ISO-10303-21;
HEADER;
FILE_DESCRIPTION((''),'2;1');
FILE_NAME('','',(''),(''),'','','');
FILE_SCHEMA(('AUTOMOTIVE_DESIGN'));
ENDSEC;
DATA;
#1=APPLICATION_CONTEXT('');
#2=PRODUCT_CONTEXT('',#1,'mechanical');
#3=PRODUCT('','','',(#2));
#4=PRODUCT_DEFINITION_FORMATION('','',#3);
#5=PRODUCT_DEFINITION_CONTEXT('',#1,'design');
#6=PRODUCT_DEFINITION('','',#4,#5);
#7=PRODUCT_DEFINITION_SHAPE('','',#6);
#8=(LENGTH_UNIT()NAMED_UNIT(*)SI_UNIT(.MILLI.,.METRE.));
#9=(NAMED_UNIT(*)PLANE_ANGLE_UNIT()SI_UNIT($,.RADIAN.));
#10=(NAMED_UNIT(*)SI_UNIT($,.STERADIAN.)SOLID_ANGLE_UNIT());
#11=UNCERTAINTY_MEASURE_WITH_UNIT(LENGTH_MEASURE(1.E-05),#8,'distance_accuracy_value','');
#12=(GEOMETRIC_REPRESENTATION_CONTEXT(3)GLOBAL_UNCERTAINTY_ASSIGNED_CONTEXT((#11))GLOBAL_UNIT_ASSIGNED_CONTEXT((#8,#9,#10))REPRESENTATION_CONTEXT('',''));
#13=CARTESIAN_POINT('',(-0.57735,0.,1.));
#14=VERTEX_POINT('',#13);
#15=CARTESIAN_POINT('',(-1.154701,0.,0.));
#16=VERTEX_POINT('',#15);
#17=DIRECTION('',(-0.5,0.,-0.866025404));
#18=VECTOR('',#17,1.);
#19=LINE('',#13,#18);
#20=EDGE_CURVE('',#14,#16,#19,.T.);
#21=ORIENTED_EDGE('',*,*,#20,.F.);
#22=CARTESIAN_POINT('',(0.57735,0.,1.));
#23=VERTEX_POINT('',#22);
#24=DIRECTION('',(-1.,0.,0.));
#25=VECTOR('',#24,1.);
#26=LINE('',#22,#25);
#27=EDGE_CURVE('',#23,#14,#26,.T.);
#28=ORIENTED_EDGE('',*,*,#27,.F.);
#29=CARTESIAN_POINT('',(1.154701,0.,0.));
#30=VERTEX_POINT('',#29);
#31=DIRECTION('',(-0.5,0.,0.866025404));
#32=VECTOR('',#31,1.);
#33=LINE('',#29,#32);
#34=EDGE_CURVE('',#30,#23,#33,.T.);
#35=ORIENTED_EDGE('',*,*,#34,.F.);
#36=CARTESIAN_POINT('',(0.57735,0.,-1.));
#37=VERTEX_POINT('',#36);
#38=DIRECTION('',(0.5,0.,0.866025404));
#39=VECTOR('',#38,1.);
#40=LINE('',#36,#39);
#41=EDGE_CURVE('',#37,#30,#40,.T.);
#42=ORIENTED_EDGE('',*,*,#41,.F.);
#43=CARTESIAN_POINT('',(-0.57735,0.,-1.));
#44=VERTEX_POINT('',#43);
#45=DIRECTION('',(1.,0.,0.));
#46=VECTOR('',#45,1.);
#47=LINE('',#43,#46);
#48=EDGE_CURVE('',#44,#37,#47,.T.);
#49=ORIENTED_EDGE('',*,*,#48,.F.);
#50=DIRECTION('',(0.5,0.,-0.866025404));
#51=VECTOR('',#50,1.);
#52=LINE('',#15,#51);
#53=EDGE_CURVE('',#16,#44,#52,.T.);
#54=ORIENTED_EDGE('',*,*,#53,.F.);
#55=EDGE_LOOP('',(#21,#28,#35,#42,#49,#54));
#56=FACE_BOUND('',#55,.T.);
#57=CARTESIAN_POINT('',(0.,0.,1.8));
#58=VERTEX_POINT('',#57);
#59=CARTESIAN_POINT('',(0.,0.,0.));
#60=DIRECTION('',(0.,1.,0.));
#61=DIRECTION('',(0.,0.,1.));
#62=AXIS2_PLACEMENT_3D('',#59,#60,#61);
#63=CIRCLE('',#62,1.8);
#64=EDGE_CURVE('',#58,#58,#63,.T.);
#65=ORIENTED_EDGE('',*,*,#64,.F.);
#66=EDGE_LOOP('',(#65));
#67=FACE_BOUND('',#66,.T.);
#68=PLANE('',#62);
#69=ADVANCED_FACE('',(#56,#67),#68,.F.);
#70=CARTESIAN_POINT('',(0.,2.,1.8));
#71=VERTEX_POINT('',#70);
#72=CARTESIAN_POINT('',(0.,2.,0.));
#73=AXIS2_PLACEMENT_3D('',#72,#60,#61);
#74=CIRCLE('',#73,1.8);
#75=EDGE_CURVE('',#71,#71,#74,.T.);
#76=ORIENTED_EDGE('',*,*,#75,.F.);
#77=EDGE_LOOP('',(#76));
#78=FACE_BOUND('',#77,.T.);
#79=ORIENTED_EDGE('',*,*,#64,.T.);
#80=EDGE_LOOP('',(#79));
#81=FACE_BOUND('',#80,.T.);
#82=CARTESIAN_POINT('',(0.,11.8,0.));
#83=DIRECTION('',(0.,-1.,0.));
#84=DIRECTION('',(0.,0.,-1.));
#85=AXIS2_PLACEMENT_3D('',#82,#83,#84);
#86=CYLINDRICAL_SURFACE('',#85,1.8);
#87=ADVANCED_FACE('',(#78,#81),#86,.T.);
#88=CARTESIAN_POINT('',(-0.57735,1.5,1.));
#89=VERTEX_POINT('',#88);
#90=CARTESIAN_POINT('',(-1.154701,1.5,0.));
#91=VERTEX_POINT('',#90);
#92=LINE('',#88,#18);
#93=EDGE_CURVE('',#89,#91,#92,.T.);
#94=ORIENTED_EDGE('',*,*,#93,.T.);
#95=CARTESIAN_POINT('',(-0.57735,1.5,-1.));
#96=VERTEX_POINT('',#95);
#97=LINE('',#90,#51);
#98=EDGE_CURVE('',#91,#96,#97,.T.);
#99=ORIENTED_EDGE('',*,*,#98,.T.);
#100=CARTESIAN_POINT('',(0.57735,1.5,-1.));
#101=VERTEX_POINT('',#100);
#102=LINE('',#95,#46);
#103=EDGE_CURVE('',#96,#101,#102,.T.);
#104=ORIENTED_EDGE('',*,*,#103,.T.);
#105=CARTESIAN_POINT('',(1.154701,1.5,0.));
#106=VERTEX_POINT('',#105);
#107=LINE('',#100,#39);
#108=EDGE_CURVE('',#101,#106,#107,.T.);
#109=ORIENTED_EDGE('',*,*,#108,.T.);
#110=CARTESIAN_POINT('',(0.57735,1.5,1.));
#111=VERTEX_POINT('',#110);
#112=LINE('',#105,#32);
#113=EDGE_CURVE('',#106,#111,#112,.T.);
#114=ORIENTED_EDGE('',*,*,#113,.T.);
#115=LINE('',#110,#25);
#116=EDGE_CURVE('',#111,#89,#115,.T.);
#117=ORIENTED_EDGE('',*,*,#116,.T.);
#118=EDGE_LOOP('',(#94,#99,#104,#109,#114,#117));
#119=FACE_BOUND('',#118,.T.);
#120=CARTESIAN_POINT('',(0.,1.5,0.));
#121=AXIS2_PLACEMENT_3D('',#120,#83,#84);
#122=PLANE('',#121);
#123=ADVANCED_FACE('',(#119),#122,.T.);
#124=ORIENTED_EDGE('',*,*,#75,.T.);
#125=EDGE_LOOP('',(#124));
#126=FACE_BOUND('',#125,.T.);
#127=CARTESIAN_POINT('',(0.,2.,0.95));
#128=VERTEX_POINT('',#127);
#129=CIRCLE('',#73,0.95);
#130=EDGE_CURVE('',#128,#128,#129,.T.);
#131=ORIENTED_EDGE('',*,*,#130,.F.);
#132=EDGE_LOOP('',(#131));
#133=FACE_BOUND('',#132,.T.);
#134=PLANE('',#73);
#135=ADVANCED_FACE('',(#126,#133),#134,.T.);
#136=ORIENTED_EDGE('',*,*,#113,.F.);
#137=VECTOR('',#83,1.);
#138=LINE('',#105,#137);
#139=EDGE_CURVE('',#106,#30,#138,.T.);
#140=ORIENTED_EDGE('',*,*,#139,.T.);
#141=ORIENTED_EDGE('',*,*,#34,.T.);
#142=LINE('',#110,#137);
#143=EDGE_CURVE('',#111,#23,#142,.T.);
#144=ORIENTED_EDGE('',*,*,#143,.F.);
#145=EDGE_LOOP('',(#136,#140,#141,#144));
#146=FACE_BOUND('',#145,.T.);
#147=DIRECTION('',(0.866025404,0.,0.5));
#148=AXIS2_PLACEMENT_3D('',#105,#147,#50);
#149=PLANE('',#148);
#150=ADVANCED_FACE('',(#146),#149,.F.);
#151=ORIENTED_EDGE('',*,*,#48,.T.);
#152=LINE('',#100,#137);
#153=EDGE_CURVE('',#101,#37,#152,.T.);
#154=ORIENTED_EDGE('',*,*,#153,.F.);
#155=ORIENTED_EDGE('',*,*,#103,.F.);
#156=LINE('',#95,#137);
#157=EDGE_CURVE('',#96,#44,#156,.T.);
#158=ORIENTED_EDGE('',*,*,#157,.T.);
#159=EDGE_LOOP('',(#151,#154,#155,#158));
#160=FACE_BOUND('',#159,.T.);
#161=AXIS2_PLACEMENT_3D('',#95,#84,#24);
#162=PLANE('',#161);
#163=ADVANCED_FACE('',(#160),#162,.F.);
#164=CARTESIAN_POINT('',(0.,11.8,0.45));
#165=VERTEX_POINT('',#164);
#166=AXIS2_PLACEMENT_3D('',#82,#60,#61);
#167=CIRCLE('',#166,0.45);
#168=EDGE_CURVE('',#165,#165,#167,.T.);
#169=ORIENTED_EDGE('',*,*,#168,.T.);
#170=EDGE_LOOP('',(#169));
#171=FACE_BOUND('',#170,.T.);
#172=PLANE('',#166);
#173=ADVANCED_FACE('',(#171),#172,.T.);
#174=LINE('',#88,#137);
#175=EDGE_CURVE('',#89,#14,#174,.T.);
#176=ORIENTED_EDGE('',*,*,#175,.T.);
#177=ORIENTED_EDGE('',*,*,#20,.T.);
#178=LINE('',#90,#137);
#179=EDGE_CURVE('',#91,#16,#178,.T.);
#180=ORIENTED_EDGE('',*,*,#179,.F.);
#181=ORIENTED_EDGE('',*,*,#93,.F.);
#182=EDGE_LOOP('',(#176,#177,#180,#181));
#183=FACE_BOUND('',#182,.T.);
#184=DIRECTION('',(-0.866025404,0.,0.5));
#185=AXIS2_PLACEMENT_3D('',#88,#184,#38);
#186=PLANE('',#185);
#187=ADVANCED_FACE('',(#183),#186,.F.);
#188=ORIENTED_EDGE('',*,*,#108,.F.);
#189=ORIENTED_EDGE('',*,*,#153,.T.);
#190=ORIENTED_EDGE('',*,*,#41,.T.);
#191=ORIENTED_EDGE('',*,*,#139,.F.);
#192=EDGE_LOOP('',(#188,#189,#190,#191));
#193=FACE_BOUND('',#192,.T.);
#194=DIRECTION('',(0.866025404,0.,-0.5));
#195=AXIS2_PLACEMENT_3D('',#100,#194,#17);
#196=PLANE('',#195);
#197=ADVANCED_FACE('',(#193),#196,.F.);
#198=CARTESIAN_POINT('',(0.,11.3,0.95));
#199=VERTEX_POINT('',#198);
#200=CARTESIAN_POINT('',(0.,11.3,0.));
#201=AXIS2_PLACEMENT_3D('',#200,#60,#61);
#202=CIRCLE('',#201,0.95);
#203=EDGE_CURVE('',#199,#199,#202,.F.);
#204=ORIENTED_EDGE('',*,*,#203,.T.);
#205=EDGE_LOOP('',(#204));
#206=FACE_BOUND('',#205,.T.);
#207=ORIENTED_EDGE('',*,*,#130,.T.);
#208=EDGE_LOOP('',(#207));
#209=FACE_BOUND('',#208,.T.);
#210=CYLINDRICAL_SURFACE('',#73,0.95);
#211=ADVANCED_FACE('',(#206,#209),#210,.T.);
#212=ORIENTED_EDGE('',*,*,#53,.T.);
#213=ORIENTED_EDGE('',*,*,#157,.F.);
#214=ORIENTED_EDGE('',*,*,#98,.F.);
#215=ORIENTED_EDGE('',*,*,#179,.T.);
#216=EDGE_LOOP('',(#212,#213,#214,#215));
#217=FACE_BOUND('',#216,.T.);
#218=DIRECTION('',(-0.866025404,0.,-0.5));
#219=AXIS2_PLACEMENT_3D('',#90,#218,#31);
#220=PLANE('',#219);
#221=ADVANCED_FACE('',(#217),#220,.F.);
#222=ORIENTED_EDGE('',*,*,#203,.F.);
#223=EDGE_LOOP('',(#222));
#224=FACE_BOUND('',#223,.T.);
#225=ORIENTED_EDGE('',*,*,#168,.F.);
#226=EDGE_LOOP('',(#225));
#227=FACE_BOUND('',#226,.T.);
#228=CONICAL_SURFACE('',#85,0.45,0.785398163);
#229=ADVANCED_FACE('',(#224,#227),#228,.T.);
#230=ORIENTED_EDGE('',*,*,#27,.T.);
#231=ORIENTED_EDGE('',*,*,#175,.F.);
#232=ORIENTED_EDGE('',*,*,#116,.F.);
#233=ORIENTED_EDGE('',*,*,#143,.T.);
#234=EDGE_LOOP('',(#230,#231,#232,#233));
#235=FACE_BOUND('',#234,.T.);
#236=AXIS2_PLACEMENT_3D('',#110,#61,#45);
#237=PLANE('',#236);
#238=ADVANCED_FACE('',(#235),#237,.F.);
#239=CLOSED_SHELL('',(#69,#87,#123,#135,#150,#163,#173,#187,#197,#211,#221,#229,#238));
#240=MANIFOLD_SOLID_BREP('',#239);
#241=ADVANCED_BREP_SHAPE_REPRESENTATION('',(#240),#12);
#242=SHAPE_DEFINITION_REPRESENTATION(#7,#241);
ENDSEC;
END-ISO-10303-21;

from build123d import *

# Parameters (mm, degrees)
SKETCH1_R           = 1.8
BOSS_EXTRUDE1_DEPTH = 11.8
SKETCH2_OUTSIDE_W   = 8.17
SKETCH2_OUTSIDE_H   = 8.17
SKETCH2_OUTSIDE_R   = 0.95
CUT_EXTRUDE1_DEPTH  = 9.8
CHAMFER1_SIZE       = 0.5
CUT_EXTRUDE2_DEPTH  = 1.5


with BuildPart() as part:
    # Sketch1 → Boss-Extrude1 (new body)
    with BuildSketch(Plane(origin=(0, 0, 0), x_dir=(1, 0, 0), z_dir=(0, 1, 0))):
        Circle(SKETCH1_R)
    extrude(amount=BOSS_EXTRUDE1_DEPTH)

    # Sketch2 outside → Cut-Extrude1 (cut)
    with BuildSketch(Plane(origin=(0, 11.8, 0), x_dir=(1, 0, 0), z_dir=(0, 1, 0))):
        Rectangle(SKETCH2_OUTSIDE_W, SKETCH2_OUTSIDE_H)
        Circle(SKETCH2_OUTSIDE_R, mode=Mode.SUBTRACT)
    extrude(amount=-CUT_EXTRUDE1_DEPTH, mode=Mode.SUBTRACT)

    # Chamfer1
    chamfer1_edges = [part.edges().sort_by_distance(p)[0] for p in [
        (-0.95, 11.8, 0),
    ]]
    chamfer(chamfer1_edges, length=CHAMFER1_SIZE)

    # Sketch8 → Cut-Extrude2 (cut)
    with BuildSketch(Plane.XZ):
        Polygon((1.154700538, 0), (0.577350269, 1), (-0.577350269, 1), (-1.154700538, 0), (-0.577350269, -1), (0.577350269, -1), align=None)
    extrude(amount=-CUT_EXTRUDE2_DEPTH, mode=Mode.SUBTRACT)


solid = part.part
